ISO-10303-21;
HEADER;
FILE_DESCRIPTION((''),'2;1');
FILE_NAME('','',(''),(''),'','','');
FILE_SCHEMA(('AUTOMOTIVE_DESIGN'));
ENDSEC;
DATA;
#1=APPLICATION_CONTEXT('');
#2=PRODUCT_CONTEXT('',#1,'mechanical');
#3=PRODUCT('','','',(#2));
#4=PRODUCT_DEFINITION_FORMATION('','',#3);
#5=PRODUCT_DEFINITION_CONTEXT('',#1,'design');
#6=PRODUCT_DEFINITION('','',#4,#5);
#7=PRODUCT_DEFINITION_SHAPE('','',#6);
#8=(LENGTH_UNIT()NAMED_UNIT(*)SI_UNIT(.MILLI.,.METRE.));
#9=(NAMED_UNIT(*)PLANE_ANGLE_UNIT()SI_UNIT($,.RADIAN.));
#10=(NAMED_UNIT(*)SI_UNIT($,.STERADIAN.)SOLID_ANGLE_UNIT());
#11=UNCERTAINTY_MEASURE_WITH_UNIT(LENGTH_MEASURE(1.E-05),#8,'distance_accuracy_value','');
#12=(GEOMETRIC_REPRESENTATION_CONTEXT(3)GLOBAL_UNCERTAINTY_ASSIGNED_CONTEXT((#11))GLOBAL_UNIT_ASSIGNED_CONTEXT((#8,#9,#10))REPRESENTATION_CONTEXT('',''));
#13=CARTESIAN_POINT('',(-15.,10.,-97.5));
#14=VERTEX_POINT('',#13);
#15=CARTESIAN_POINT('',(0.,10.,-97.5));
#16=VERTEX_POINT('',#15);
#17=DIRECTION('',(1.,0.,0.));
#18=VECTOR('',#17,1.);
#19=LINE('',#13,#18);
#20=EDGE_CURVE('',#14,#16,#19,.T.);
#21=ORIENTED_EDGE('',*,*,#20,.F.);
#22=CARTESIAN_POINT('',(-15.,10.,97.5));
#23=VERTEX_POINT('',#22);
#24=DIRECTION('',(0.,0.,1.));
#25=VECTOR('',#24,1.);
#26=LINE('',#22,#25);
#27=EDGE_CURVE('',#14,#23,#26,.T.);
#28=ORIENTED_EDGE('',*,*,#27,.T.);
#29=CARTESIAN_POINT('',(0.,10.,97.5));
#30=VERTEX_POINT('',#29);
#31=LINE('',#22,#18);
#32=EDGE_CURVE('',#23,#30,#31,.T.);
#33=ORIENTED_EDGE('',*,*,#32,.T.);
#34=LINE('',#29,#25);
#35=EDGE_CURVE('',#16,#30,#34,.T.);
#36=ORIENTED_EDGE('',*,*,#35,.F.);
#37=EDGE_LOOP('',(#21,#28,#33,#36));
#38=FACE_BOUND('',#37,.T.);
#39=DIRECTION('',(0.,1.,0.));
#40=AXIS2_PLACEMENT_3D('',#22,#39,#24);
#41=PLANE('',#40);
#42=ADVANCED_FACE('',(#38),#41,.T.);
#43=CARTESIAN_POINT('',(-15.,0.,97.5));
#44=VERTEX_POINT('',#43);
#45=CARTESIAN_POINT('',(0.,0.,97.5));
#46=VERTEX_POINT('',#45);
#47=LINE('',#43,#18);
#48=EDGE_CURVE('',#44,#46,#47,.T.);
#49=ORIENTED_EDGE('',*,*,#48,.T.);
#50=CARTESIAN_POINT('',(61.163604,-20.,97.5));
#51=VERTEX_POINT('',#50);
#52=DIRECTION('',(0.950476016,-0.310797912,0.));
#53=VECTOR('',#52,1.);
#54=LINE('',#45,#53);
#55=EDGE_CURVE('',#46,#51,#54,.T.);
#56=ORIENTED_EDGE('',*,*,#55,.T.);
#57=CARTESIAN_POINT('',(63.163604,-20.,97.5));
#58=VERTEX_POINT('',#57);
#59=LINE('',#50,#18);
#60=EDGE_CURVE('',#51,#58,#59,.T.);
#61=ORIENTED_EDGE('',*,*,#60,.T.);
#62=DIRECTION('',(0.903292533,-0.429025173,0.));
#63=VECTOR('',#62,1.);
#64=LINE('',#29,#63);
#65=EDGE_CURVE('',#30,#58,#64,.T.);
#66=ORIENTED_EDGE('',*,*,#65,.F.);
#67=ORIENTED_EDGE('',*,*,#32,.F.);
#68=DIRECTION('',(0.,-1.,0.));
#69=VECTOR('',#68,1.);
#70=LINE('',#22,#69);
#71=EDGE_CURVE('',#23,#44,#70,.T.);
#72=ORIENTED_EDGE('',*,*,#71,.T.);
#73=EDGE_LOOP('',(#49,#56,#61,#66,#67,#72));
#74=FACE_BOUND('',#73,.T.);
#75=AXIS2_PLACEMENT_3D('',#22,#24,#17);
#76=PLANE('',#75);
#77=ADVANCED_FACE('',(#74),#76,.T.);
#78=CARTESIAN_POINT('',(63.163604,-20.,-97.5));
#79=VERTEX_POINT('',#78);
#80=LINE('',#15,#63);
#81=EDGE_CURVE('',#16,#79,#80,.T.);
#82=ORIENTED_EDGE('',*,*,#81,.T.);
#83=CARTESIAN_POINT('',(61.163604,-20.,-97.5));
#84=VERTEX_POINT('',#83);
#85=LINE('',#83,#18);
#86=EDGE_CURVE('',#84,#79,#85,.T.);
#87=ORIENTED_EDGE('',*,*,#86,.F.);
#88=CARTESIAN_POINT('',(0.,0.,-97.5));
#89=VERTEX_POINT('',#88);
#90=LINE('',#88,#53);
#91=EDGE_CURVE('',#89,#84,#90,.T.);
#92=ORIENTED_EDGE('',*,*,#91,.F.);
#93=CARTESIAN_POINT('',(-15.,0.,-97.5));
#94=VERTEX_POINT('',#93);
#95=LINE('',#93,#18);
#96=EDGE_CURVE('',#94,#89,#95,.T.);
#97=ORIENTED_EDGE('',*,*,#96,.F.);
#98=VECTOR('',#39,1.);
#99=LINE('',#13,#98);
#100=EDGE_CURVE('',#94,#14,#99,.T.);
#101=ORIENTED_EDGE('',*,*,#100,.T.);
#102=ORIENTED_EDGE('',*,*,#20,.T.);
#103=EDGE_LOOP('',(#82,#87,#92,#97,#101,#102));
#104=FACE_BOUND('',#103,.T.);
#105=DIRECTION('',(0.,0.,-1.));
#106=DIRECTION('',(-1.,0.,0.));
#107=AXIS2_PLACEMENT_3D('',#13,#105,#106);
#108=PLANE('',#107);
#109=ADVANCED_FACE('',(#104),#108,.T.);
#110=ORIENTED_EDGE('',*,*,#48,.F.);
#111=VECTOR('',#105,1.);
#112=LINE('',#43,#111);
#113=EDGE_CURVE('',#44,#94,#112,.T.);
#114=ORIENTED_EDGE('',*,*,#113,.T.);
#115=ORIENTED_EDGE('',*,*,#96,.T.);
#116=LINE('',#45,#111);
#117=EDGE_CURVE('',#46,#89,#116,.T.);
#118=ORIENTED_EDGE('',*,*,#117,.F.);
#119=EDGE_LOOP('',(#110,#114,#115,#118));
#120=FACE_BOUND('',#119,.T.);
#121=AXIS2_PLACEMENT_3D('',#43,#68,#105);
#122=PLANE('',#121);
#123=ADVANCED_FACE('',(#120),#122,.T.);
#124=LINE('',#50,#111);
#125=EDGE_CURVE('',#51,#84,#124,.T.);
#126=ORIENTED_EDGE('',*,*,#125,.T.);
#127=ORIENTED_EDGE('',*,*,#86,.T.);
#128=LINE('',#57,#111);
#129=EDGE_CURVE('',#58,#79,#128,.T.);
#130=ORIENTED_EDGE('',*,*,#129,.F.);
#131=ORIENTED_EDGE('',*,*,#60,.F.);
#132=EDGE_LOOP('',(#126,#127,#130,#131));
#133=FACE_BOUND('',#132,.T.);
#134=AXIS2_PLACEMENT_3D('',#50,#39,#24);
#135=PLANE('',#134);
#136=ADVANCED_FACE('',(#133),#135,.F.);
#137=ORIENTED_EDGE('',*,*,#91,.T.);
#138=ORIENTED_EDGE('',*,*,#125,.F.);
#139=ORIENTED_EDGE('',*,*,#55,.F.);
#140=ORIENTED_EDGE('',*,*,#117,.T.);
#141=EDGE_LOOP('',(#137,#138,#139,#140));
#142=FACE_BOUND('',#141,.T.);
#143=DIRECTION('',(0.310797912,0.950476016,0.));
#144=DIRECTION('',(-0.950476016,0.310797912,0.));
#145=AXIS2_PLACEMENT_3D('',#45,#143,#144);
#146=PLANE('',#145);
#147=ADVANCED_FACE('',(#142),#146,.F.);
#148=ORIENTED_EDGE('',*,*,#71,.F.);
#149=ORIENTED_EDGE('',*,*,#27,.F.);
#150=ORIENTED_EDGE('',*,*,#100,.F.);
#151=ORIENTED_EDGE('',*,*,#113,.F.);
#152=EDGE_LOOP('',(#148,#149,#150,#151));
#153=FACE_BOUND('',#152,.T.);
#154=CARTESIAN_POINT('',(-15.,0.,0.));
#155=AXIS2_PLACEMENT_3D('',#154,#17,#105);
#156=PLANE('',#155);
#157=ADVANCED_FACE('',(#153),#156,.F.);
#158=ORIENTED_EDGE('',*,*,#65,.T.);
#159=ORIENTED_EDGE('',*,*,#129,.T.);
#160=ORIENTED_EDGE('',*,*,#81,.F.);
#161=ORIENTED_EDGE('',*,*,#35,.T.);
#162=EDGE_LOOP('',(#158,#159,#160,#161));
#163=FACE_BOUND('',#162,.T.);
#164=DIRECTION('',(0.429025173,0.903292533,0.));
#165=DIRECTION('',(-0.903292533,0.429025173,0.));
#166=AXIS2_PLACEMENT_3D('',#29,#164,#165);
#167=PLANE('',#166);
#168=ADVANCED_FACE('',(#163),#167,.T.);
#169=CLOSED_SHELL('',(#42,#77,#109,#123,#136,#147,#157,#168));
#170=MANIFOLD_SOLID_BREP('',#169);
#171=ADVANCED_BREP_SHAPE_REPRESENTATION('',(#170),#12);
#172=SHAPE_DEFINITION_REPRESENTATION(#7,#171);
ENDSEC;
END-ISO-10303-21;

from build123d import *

# Parameters (mm, degrees)
SKETCH3_W           = 195
SKETCH3_H           = 10
BOSS_EXTRUDE1_DEPTH = 15
BOSS_EXTRUDE2_DEPTH = 97.5


with BuildPart() as part:
    # Sketch3 → Boss-Extrude1 (new body)
    with BuildSketch(Plane(origin=(0, 0, 0), x_dir=(0, 0, -1), z_dir=(1, 0, 0))):
        with Locations((0, 5)):
            Rectangle(SKETCH3_W, SKETCH3_H)
    extrude(amount=-BOSS_EXTRUDE1_DEPTH)

    # Sketch4 → Boss-Extrude2 (add, symmetric)
    with BuildSketch(Plane.XY):
        Polygon((61.163603665, -20), (63.163603665, -20), (0, 10), (0, 0), align=None)
    extrude(amount=BOSS_EXTRUDE2_DEPTH, both=True)


solid = part.part
